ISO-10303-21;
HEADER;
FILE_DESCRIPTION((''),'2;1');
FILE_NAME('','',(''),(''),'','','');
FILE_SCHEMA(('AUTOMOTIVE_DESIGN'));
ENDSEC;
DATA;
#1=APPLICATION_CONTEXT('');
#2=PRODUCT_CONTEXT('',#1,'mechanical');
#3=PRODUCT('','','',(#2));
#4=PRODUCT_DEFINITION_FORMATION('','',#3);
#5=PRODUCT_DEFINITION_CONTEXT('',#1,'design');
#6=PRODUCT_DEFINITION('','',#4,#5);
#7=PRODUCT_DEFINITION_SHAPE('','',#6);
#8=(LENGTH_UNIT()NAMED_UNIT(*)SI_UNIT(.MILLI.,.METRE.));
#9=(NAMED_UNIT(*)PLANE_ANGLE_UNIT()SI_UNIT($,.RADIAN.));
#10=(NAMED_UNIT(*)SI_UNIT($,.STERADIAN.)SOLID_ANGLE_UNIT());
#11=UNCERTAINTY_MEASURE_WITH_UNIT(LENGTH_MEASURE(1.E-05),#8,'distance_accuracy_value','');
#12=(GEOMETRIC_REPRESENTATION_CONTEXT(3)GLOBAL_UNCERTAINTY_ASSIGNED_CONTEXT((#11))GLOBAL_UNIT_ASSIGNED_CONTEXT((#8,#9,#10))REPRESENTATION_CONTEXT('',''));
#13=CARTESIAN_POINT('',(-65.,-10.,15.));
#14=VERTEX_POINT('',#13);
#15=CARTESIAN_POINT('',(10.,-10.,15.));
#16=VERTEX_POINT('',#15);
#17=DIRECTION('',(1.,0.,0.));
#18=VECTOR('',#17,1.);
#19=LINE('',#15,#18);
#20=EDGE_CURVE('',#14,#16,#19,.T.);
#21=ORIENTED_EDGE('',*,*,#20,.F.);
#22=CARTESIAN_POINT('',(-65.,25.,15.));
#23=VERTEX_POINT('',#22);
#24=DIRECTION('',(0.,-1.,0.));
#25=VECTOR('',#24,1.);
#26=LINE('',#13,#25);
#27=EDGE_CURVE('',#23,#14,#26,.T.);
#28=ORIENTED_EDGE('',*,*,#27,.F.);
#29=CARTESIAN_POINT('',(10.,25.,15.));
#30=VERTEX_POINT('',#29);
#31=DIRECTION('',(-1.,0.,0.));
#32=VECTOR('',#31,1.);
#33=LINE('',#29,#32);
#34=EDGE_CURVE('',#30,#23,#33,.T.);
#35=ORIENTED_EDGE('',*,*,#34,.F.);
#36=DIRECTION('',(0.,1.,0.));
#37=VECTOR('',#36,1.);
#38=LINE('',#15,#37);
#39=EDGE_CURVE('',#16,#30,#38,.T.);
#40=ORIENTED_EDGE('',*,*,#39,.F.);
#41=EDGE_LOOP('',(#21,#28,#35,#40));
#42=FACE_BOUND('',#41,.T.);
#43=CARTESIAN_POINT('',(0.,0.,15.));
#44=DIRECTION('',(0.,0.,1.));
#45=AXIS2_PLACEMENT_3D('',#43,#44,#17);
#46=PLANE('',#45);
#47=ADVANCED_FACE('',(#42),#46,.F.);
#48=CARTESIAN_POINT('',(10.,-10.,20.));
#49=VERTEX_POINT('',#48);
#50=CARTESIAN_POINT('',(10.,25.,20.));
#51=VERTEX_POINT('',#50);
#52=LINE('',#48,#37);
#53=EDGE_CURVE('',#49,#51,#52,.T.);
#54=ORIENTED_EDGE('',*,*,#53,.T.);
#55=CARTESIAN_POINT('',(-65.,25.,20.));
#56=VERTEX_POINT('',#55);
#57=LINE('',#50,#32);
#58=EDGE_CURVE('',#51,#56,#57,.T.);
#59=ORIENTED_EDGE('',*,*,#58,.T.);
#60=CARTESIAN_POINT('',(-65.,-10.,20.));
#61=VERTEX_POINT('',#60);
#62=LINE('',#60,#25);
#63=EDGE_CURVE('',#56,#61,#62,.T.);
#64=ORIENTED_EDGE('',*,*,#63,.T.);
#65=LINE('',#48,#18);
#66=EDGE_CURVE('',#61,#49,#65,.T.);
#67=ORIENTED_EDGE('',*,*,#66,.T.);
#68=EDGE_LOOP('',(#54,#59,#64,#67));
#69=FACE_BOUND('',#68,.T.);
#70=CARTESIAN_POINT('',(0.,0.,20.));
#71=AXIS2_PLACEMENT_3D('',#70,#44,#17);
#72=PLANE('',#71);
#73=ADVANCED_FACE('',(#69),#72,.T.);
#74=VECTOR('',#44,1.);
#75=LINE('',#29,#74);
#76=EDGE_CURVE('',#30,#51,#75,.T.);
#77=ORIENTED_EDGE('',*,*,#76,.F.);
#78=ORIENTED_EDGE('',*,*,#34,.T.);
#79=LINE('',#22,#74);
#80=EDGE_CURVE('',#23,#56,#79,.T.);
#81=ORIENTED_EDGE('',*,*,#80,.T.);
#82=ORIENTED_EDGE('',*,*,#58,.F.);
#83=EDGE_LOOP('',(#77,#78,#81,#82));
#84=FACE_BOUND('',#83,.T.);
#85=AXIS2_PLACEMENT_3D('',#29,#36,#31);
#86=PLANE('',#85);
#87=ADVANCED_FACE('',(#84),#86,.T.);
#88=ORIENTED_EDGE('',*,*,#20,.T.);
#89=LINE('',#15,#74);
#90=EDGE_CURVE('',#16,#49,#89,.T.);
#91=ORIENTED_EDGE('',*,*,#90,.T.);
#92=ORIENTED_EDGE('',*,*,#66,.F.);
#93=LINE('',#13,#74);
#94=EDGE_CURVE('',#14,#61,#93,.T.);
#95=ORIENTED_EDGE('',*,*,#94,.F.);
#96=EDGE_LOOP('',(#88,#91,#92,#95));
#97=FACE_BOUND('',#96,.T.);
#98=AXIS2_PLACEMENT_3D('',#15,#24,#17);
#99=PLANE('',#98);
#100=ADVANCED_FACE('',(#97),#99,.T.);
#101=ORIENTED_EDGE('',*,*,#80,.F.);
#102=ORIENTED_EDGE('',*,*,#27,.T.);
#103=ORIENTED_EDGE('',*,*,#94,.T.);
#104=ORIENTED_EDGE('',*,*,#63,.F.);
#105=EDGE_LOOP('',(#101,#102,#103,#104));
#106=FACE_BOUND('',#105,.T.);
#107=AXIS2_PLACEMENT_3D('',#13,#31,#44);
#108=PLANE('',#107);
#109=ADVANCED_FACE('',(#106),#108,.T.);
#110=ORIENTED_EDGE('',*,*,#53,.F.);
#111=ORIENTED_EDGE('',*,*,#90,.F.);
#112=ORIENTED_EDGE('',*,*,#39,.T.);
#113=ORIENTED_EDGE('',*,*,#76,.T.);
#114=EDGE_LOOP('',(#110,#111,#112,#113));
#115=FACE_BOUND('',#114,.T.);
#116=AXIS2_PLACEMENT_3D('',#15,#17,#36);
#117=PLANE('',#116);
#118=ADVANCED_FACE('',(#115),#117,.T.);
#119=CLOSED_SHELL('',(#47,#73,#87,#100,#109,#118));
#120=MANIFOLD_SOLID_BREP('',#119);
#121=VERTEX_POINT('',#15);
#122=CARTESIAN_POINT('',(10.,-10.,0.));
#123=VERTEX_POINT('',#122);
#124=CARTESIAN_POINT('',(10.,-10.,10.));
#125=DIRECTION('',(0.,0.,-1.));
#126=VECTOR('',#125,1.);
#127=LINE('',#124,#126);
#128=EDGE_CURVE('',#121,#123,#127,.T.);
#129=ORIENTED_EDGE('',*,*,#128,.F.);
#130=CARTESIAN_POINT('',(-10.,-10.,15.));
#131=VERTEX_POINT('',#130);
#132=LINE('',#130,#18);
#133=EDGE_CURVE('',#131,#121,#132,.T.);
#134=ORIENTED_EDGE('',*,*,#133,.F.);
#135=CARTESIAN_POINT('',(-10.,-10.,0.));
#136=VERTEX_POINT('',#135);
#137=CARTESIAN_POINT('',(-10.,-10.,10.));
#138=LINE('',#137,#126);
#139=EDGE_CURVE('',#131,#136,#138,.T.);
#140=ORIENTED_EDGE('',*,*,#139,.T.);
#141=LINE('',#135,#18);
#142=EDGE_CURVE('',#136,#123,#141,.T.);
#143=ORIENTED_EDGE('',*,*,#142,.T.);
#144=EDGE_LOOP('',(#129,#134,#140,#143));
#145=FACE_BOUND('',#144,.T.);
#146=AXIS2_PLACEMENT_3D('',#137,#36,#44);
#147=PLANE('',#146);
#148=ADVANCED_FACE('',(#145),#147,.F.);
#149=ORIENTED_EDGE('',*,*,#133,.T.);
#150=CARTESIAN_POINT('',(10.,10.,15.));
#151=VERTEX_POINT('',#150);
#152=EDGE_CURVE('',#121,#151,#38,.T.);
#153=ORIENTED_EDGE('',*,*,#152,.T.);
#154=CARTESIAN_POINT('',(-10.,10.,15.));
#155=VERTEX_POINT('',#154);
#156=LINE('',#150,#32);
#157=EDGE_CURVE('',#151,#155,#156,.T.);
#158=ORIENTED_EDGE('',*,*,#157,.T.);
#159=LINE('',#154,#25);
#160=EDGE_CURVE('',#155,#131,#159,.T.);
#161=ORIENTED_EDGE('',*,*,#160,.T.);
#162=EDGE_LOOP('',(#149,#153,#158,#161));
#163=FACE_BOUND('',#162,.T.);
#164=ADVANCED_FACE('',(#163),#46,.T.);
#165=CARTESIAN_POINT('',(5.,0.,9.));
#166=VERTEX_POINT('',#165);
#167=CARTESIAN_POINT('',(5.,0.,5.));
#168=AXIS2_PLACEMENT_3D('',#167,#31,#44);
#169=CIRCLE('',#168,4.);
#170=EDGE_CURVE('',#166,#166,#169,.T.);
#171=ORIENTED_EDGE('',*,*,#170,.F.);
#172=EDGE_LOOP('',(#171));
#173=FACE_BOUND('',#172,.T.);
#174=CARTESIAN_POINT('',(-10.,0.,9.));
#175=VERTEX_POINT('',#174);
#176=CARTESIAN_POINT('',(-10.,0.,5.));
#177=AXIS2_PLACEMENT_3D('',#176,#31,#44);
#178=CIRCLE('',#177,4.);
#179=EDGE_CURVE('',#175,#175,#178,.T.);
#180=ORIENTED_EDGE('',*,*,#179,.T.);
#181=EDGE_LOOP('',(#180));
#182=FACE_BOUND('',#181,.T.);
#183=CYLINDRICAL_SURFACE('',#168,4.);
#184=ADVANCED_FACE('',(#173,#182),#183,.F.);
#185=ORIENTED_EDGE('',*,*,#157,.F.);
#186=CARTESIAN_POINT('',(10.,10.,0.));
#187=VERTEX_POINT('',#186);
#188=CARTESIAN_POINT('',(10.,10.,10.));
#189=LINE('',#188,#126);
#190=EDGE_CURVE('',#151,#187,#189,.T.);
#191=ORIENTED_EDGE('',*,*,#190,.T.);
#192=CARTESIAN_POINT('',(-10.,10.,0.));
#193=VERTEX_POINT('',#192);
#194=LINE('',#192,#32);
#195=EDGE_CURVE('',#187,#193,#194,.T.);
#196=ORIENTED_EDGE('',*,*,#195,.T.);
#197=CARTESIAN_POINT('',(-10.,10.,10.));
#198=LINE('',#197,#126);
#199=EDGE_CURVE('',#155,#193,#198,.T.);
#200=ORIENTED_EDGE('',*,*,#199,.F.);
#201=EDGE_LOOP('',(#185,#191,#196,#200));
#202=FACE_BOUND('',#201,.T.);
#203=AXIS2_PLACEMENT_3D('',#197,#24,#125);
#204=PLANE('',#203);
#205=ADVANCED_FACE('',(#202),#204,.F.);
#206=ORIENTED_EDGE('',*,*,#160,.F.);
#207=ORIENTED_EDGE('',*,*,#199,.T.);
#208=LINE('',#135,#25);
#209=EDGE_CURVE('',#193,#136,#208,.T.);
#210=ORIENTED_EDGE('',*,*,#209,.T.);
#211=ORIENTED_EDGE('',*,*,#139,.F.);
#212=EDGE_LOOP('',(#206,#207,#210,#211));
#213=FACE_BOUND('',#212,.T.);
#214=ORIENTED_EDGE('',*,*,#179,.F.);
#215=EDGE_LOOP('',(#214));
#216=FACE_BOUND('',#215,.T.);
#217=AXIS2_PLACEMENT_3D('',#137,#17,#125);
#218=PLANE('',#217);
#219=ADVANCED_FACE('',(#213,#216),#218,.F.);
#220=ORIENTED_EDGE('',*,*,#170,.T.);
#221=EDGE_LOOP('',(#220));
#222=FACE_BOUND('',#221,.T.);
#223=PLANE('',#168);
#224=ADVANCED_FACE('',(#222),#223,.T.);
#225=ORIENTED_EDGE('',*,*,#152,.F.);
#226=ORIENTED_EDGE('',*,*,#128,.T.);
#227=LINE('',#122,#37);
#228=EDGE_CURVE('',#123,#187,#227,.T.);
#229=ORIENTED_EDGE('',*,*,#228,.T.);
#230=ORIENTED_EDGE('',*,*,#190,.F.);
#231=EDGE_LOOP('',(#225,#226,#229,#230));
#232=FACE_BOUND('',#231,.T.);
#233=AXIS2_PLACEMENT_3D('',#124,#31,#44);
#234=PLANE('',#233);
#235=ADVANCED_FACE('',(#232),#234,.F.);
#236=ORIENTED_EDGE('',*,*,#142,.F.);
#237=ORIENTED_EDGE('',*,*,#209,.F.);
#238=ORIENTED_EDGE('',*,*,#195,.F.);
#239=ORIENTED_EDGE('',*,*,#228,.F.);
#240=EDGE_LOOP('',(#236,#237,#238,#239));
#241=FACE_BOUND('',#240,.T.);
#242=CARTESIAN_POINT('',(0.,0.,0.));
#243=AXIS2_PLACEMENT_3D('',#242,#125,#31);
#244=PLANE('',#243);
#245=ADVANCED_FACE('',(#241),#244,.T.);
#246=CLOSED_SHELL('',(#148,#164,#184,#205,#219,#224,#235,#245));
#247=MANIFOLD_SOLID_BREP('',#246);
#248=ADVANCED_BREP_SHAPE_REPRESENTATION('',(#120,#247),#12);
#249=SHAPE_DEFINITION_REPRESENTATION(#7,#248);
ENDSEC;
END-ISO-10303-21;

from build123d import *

# Parameters (mm, degrees)
SKETCH_1_W          = 20
SKETCH_1_H          = 20
EXTRUDE_1_DEPTH     = 10
SKETCH_2_R          = 4
CUT_EXTRUDE_1_DEPTH = 15
EXTRUDE_START       = 10
SKETCH_3_W          = 75
SKETCH_3_H          = 35
EXTRUDE_2_DEPTH     = 5
SKETCH_4_W          = 20
SKETCH_4_H          = 20
EXTRUDE_3_DEPTH     = 5


with BuildPart() as part:
    # 草图1 → 凸台-拉伸1 (new body)
    with BuildSketch(Plane.XY):
        Rectangle(SKETCH_1_W, SKETCH_1_H)
    extrude(amount=EXTRUDE_1_DEPTH)

    # 草图2 → 切除-拉伸1 (cut)
    with BuildSketch(Plane.ZY.offset(10)):
        with Locations((5, 0)):
            Circle(SKETCH_2_R)
    extrude(amount=-CUT_EXTRUDE_1_DEPTH, mode=Mode.SUBTRACT)

    # 草图4 → 凸台-拉伸3 (add)
    with BuildSketch(Plane.XY.offset(10)):
        Rectangle(SKETCH_4_W, SKETCH_4_H)
    extrude(amount=EXTRUDE_3_DEPTH)


with BuildPart() as body_2:
    # 草图3 → 凸台-拉伸2 (new body)
    with BuildSketch(Plane.XY.offset(10).offset(EXTRUDE_START)):
        with Locations((-27.5, 7.5)):
            Rectangle(SKETCH_3_W, SKETCH_3_H)
    extrude(amount=-EXTRUDE_2_DEPTH)


solid = Compound([part.part, body_2.part])
